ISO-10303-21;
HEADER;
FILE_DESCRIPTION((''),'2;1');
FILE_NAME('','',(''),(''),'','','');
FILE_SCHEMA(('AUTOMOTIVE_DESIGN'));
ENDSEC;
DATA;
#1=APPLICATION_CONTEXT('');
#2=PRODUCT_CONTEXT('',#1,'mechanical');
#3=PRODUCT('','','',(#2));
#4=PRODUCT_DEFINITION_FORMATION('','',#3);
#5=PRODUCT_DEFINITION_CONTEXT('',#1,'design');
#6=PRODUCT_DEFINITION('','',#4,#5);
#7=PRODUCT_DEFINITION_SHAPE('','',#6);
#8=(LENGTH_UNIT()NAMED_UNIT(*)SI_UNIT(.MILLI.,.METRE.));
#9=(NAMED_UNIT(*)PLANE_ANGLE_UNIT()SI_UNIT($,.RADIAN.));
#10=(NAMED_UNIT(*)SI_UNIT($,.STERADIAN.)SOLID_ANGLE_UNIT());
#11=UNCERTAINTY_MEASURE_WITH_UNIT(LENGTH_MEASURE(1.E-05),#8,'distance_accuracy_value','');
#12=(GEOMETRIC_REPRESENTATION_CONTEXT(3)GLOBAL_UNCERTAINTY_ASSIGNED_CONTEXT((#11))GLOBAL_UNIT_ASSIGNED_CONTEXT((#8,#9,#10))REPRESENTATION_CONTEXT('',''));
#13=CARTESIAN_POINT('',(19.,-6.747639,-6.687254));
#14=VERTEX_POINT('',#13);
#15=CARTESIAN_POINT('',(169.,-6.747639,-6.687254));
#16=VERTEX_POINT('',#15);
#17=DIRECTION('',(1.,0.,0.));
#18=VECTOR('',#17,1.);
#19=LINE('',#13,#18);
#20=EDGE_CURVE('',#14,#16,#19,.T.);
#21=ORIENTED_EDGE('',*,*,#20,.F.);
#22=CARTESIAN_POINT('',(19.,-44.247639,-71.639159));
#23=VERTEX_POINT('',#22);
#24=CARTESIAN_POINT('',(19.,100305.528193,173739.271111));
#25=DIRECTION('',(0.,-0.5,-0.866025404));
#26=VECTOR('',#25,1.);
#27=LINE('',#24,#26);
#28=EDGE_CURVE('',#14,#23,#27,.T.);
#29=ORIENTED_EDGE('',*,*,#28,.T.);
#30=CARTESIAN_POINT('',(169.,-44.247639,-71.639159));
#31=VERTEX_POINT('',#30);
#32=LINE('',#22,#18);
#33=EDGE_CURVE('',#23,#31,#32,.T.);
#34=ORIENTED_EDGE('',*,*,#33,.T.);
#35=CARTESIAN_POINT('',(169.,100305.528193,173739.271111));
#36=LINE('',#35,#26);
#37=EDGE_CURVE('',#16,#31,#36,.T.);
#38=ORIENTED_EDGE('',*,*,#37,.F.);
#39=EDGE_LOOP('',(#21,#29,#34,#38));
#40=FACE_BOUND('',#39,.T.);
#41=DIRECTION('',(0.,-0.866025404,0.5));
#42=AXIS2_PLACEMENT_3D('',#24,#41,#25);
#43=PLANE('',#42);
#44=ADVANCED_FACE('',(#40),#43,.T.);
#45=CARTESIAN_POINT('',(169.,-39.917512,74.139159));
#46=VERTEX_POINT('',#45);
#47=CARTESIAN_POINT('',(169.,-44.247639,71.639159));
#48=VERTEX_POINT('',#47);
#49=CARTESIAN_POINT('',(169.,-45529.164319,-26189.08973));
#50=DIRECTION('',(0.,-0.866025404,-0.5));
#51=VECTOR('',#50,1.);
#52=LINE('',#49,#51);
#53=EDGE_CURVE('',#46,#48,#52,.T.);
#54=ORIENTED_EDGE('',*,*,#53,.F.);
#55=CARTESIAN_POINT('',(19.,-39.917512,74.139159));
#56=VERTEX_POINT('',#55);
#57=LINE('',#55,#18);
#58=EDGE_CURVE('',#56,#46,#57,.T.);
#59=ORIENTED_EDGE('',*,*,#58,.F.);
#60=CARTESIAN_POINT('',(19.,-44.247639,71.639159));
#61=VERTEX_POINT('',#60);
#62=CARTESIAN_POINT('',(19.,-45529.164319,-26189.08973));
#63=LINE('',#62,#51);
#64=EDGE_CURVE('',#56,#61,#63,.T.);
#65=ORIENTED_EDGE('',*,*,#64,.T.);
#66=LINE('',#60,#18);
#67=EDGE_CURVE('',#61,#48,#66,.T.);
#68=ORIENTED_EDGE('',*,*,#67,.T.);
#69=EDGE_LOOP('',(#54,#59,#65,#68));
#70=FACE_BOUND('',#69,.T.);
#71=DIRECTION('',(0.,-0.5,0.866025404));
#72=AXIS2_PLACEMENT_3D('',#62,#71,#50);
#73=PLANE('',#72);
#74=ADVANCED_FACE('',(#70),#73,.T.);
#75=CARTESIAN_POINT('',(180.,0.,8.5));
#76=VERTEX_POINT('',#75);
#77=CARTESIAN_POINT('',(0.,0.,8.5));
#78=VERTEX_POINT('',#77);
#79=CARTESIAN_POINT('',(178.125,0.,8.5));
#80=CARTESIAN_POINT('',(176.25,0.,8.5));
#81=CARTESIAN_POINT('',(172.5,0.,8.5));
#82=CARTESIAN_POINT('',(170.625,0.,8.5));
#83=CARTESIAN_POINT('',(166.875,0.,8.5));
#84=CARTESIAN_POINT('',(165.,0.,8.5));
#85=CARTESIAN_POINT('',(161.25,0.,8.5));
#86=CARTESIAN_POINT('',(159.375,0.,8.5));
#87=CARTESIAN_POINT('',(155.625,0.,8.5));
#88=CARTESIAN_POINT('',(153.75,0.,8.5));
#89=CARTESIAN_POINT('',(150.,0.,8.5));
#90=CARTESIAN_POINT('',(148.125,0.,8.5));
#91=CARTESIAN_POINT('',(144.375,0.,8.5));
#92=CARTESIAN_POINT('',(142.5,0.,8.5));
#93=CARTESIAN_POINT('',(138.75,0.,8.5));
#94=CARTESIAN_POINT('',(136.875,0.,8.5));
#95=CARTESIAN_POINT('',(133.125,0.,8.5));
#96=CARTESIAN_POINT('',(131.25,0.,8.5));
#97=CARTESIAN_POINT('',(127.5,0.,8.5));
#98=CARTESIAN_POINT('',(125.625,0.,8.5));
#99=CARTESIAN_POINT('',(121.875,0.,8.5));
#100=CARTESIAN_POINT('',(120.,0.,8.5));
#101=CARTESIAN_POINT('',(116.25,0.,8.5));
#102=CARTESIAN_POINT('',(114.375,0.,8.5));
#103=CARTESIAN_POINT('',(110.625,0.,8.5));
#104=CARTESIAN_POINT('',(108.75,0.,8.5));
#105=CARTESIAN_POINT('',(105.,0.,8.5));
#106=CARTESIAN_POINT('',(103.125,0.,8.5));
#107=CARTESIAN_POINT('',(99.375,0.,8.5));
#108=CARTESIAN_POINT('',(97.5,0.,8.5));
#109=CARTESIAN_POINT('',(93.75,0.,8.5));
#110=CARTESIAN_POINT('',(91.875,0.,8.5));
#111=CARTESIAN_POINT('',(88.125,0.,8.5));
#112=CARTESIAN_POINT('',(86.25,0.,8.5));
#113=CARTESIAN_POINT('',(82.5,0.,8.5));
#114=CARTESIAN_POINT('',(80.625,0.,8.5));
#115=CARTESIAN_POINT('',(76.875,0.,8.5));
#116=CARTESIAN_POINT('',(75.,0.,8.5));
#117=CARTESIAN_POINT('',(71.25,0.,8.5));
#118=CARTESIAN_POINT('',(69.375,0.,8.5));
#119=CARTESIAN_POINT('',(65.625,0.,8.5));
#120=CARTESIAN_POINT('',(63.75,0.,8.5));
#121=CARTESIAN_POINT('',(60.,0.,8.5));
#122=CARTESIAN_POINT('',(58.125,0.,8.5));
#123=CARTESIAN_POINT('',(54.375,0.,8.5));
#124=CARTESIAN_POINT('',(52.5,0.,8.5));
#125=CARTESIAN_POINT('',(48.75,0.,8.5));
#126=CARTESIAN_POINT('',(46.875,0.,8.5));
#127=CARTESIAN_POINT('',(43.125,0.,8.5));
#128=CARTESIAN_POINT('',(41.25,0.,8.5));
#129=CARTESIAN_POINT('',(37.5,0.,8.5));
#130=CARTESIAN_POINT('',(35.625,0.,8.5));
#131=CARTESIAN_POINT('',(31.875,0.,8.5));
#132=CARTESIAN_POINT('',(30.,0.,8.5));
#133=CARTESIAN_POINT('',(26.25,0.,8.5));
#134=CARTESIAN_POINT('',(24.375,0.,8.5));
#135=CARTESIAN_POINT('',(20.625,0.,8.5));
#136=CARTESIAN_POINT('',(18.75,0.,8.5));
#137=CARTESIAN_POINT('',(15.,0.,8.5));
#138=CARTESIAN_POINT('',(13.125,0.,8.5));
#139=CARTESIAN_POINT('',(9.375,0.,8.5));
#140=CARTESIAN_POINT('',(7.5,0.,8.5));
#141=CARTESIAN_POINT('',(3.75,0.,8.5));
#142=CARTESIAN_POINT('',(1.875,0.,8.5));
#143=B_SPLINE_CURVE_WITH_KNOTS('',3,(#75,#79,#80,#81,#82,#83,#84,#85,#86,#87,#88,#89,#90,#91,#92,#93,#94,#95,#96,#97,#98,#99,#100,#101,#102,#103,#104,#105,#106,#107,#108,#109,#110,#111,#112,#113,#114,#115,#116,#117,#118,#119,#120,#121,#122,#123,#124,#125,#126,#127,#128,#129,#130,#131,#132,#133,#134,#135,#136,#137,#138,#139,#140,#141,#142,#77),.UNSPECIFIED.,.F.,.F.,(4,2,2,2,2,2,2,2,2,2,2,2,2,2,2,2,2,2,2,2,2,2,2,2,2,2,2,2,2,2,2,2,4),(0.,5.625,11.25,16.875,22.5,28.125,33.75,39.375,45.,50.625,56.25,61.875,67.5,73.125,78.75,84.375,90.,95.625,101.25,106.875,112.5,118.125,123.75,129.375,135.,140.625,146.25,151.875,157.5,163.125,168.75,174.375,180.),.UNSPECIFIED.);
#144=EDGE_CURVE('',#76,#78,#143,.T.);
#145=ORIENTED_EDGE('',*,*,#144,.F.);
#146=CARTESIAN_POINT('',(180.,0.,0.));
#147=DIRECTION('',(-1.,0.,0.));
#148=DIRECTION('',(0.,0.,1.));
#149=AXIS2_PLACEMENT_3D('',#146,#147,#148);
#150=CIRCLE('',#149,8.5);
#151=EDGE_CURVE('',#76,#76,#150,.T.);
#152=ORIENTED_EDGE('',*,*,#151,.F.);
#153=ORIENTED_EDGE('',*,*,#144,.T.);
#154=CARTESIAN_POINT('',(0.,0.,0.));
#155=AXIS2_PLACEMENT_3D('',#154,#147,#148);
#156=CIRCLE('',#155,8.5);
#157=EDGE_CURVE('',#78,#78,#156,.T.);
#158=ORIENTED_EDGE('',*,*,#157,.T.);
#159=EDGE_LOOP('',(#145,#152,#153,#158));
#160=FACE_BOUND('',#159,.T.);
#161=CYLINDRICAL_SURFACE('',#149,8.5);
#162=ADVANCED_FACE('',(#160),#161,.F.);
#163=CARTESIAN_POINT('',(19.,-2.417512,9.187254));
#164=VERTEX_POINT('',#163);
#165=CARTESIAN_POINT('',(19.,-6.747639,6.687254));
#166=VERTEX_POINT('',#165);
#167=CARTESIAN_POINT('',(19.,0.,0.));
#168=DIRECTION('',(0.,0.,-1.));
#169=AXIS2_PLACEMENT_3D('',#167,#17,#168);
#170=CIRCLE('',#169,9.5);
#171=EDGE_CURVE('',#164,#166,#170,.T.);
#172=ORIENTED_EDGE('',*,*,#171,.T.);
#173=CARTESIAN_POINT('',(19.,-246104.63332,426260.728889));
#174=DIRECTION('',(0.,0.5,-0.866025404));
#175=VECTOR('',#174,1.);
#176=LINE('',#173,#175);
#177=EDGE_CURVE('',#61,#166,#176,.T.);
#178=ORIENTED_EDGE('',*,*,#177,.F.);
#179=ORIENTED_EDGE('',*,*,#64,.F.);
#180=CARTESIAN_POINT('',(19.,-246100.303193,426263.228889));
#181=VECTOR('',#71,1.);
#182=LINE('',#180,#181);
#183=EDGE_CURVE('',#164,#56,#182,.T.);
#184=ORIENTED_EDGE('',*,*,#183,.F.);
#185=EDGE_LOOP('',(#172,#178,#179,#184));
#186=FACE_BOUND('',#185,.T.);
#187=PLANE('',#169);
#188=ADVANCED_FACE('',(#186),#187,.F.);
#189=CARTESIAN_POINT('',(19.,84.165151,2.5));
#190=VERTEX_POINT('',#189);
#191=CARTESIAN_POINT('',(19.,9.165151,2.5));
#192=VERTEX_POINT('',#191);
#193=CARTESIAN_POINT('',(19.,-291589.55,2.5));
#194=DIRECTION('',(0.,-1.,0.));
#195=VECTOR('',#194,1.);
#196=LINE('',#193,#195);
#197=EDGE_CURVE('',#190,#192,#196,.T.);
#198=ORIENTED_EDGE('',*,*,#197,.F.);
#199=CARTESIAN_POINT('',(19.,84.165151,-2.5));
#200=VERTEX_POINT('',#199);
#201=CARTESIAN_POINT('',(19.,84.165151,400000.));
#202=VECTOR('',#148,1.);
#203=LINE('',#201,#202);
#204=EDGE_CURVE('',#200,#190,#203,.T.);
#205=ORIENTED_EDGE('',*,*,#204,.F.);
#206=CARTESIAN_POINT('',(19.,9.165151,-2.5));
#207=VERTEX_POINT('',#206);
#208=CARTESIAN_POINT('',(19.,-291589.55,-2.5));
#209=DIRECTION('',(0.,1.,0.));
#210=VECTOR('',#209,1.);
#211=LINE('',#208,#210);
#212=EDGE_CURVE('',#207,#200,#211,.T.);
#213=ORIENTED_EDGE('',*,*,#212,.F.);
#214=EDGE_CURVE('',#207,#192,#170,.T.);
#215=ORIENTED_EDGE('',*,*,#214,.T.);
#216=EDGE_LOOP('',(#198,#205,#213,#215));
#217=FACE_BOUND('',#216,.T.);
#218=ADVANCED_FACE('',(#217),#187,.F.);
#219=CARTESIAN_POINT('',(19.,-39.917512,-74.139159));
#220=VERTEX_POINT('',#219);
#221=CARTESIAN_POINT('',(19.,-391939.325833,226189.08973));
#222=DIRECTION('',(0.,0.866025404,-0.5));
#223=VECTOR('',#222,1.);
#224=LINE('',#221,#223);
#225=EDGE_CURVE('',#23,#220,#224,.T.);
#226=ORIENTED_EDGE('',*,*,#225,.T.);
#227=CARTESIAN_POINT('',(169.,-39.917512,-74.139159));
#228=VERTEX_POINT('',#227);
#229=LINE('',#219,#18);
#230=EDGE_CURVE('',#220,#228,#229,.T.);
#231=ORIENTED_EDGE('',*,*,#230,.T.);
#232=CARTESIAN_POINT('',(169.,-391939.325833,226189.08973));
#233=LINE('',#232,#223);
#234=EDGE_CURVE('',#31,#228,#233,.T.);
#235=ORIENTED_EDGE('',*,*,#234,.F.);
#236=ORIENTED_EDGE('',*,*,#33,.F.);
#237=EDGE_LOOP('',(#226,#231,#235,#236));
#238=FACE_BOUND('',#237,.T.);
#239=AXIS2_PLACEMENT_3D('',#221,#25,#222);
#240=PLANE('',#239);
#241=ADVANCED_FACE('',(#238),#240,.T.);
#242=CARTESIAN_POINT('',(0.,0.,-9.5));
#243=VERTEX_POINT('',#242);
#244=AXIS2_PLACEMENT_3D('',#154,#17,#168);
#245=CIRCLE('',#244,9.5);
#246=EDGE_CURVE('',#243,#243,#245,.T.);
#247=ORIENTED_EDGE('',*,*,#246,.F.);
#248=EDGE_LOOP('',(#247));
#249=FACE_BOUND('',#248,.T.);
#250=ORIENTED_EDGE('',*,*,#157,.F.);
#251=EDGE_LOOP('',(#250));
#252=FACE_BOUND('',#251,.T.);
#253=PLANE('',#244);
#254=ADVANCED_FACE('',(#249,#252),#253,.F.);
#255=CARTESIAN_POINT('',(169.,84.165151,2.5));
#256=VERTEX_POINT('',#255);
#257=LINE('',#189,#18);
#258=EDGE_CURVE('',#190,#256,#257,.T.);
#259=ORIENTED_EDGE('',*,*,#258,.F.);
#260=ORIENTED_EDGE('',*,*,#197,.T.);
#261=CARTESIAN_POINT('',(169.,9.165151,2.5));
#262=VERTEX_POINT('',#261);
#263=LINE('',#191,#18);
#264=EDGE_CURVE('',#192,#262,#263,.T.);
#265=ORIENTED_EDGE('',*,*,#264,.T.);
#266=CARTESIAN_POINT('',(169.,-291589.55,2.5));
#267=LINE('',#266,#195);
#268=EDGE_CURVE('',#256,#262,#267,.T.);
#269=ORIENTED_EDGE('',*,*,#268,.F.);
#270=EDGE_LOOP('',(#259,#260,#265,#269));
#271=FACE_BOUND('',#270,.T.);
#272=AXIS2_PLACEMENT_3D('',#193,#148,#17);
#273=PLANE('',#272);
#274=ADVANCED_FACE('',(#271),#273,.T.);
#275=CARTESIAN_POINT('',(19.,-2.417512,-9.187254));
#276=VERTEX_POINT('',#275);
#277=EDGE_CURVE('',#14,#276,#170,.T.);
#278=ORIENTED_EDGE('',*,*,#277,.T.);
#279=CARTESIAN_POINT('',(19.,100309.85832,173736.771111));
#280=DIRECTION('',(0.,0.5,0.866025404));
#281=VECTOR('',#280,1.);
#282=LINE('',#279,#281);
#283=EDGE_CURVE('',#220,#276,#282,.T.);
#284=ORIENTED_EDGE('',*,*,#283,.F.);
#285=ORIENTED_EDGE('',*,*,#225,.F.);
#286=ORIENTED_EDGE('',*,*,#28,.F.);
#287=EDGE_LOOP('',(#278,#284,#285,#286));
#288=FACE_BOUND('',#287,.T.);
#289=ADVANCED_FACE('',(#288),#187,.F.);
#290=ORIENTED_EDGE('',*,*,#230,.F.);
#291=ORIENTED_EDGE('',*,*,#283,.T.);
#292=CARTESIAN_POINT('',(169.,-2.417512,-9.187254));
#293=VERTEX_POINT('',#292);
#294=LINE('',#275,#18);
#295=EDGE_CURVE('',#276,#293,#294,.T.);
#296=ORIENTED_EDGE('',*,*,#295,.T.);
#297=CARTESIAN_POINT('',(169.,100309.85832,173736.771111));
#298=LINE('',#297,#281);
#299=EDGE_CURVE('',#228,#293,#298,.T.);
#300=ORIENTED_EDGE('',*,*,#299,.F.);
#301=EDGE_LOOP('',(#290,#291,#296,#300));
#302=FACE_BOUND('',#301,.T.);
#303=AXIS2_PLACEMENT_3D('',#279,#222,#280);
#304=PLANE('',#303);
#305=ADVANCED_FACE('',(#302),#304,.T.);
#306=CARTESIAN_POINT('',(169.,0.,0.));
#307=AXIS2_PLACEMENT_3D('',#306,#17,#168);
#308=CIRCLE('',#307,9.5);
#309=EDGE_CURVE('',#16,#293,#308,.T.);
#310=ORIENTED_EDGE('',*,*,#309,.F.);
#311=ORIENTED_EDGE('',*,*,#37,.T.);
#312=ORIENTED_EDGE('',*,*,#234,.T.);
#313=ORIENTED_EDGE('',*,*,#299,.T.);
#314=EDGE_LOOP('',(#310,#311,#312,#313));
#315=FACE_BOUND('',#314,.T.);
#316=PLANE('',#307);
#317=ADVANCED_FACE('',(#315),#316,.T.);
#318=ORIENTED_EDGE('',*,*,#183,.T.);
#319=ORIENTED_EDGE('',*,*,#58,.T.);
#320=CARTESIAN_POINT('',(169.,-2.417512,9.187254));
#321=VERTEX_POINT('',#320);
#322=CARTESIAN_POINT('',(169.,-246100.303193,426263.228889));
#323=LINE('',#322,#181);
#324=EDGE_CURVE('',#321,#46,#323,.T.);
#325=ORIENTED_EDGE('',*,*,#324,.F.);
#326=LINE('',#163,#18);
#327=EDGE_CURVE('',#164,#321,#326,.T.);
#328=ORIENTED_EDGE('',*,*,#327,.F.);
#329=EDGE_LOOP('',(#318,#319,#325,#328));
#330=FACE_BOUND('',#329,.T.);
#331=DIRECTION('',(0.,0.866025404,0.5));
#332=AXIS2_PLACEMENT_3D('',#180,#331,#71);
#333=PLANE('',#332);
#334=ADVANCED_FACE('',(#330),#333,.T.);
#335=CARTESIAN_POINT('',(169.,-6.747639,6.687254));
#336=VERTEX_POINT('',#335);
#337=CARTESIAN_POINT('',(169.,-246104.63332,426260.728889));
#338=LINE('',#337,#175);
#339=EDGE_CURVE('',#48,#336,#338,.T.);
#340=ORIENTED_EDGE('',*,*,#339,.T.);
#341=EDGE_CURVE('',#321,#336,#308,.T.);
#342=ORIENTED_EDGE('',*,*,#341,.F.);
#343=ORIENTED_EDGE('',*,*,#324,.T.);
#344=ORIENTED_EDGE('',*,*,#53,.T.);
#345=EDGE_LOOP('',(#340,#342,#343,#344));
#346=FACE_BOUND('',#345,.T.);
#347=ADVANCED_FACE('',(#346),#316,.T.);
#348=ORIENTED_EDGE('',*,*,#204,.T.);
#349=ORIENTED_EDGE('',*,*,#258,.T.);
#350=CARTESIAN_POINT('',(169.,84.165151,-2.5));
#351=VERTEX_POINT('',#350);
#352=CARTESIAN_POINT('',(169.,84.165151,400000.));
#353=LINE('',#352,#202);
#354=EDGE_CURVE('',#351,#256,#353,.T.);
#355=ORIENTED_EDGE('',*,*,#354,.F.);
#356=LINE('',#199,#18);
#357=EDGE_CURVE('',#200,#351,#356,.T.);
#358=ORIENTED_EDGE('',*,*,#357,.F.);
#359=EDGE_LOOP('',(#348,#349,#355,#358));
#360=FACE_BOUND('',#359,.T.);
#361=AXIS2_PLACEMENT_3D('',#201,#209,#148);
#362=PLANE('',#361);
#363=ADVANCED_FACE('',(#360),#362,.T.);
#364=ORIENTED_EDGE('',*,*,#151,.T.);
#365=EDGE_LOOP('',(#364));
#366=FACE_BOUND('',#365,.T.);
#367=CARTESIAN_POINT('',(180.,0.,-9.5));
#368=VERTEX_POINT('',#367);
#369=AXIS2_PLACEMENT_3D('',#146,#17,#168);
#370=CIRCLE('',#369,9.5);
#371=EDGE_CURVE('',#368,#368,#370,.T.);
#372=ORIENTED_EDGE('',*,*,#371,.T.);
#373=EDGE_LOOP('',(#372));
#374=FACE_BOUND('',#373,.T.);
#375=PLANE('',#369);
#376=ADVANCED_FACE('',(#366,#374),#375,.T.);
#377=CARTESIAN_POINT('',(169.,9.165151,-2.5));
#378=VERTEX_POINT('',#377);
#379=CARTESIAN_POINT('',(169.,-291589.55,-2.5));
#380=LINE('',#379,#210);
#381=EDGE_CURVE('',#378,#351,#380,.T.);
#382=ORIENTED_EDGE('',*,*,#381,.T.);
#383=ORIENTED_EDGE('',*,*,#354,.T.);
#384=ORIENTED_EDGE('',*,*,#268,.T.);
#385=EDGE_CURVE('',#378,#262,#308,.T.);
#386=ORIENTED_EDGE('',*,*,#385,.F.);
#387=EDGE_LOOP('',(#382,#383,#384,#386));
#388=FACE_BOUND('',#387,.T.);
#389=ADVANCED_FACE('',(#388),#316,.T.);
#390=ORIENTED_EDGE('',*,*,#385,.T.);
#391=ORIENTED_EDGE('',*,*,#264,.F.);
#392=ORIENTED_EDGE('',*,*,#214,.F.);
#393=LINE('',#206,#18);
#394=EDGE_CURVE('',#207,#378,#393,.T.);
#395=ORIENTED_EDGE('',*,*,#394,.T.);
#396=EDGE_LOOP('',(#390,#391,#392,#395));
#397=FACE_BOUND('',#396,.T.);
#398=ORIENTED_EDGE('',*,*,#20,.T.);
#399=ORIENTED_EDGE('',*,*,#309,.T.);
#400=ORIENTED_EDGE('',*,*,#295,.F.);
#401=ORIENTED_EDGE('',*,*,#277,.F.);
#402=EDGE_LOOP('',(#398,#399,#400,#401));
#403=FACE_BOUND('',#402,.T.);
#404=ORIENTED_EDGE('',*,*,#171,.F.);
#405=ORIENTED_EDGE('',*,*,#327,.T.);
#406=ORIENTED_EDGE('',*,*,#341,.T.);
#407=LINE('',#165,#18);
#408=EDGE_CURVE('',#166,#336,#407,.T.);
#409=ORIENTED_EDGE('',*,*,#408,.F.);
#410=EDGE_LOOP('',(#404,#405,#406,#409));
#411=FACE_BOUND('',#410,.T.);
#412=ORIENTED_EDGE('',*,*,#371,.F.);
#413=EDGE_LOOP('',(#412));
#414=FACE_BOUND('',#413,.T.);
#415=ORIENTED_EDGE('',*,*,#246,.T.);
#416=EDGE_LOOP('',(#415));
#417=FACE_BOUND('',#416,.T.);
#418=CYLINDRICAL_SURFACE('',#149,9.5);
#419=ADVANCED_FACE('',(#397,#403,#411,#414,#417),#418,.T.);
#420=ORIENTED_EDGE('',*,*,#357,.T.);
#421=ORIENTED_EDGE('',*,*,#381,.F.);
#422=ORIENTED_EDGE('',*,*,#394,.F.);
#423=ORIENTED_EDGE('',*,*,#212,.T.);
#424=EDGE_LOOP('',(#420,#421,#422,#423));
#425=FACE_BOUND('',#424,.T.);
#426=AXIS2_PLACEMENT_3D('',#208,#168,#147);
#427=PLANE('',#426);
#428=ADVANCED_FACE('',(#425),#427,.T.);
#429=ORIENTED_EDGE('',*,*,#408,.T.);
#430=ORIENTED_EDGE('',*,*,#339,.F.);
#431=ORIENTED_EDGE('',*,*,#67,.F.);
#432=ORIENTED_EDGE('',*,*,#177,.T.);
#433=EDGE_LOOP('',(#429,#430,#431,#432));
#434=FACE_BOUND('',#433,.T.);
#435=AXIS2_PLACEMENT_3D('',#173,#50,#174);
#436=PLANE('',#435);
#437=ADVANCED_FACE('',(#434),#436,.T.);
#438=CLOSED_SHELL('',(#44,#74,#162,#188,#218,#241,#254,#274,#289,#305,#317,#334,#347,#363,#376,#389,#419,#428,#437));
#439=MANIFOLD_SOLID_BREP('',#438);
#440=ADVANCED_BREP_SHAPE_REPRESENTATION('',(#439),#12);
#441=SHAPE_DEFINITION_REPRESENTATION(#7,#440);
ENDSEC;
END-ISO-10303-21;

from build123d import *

# Parameters (mm, degrees)
CROQUIS1_R              = 9.5
SALIENTE_EXTRUIR1_DEPTH = 180
SALIENTE_EXTRUIR2_START = -169
CROQUIS2_W              = 5
CROQUIS2_H              = 75
SALIENTE_EXTRUIR2_DEPTH = 150
CROQUIS3_R              = 8.5
CORTAR_EXTRUIR1_DEPTH   = 213.085802537


with BuildPart() as part:
    # Croquis1 → Saliente-Extruir1 (new body)
    with BuildSketch(Plane(origin=(0, 0, 0), x_dir=(0, 0, -1), z_dir=(1, 0, 0))):
        with Locations(Location((0, 0, 0), (0, 0, 180))):
            Circle(CROQUIS1_R)
    extrude(amount=SALIENTE_EXTRUIR1_DEPTH)

    # Croquis2 → Saliente-Extruir2 (add)
    with BuildSketch(Plane.ZY.offset(SALIENTE_EXTRUIR2_START)):
        Polygon((74.139159217, -39.917512185), (71.639159217, -44.247639204), (6.687253933, -6.747639204), (9.187253933, -2.417512185), align=None)
        with Locations((0, 46.66515139)):
            Rectangle(CROQUIS2_W, CROQUIS2_H)
        Polygon((-71.639159217, -44.247639204), (-74.139159217, -39.917512185), (-9.187253933, -2.417512185), (-6.687253933, -6.747639204), align=None)
    extrude(amount=SALIENTE_EXTRUIR2_DEPTH)

    # Croquis3 → Cortar-Extruir1 (cut, through all)
    with BuildSketch(Plane.ZY):
        Circle(CROQUIS3_R)
    extrude(amount=-CORTAR_EXTRUIR1_DEPTH, mode=Mode.SUBTRACT)


solid = part.part
